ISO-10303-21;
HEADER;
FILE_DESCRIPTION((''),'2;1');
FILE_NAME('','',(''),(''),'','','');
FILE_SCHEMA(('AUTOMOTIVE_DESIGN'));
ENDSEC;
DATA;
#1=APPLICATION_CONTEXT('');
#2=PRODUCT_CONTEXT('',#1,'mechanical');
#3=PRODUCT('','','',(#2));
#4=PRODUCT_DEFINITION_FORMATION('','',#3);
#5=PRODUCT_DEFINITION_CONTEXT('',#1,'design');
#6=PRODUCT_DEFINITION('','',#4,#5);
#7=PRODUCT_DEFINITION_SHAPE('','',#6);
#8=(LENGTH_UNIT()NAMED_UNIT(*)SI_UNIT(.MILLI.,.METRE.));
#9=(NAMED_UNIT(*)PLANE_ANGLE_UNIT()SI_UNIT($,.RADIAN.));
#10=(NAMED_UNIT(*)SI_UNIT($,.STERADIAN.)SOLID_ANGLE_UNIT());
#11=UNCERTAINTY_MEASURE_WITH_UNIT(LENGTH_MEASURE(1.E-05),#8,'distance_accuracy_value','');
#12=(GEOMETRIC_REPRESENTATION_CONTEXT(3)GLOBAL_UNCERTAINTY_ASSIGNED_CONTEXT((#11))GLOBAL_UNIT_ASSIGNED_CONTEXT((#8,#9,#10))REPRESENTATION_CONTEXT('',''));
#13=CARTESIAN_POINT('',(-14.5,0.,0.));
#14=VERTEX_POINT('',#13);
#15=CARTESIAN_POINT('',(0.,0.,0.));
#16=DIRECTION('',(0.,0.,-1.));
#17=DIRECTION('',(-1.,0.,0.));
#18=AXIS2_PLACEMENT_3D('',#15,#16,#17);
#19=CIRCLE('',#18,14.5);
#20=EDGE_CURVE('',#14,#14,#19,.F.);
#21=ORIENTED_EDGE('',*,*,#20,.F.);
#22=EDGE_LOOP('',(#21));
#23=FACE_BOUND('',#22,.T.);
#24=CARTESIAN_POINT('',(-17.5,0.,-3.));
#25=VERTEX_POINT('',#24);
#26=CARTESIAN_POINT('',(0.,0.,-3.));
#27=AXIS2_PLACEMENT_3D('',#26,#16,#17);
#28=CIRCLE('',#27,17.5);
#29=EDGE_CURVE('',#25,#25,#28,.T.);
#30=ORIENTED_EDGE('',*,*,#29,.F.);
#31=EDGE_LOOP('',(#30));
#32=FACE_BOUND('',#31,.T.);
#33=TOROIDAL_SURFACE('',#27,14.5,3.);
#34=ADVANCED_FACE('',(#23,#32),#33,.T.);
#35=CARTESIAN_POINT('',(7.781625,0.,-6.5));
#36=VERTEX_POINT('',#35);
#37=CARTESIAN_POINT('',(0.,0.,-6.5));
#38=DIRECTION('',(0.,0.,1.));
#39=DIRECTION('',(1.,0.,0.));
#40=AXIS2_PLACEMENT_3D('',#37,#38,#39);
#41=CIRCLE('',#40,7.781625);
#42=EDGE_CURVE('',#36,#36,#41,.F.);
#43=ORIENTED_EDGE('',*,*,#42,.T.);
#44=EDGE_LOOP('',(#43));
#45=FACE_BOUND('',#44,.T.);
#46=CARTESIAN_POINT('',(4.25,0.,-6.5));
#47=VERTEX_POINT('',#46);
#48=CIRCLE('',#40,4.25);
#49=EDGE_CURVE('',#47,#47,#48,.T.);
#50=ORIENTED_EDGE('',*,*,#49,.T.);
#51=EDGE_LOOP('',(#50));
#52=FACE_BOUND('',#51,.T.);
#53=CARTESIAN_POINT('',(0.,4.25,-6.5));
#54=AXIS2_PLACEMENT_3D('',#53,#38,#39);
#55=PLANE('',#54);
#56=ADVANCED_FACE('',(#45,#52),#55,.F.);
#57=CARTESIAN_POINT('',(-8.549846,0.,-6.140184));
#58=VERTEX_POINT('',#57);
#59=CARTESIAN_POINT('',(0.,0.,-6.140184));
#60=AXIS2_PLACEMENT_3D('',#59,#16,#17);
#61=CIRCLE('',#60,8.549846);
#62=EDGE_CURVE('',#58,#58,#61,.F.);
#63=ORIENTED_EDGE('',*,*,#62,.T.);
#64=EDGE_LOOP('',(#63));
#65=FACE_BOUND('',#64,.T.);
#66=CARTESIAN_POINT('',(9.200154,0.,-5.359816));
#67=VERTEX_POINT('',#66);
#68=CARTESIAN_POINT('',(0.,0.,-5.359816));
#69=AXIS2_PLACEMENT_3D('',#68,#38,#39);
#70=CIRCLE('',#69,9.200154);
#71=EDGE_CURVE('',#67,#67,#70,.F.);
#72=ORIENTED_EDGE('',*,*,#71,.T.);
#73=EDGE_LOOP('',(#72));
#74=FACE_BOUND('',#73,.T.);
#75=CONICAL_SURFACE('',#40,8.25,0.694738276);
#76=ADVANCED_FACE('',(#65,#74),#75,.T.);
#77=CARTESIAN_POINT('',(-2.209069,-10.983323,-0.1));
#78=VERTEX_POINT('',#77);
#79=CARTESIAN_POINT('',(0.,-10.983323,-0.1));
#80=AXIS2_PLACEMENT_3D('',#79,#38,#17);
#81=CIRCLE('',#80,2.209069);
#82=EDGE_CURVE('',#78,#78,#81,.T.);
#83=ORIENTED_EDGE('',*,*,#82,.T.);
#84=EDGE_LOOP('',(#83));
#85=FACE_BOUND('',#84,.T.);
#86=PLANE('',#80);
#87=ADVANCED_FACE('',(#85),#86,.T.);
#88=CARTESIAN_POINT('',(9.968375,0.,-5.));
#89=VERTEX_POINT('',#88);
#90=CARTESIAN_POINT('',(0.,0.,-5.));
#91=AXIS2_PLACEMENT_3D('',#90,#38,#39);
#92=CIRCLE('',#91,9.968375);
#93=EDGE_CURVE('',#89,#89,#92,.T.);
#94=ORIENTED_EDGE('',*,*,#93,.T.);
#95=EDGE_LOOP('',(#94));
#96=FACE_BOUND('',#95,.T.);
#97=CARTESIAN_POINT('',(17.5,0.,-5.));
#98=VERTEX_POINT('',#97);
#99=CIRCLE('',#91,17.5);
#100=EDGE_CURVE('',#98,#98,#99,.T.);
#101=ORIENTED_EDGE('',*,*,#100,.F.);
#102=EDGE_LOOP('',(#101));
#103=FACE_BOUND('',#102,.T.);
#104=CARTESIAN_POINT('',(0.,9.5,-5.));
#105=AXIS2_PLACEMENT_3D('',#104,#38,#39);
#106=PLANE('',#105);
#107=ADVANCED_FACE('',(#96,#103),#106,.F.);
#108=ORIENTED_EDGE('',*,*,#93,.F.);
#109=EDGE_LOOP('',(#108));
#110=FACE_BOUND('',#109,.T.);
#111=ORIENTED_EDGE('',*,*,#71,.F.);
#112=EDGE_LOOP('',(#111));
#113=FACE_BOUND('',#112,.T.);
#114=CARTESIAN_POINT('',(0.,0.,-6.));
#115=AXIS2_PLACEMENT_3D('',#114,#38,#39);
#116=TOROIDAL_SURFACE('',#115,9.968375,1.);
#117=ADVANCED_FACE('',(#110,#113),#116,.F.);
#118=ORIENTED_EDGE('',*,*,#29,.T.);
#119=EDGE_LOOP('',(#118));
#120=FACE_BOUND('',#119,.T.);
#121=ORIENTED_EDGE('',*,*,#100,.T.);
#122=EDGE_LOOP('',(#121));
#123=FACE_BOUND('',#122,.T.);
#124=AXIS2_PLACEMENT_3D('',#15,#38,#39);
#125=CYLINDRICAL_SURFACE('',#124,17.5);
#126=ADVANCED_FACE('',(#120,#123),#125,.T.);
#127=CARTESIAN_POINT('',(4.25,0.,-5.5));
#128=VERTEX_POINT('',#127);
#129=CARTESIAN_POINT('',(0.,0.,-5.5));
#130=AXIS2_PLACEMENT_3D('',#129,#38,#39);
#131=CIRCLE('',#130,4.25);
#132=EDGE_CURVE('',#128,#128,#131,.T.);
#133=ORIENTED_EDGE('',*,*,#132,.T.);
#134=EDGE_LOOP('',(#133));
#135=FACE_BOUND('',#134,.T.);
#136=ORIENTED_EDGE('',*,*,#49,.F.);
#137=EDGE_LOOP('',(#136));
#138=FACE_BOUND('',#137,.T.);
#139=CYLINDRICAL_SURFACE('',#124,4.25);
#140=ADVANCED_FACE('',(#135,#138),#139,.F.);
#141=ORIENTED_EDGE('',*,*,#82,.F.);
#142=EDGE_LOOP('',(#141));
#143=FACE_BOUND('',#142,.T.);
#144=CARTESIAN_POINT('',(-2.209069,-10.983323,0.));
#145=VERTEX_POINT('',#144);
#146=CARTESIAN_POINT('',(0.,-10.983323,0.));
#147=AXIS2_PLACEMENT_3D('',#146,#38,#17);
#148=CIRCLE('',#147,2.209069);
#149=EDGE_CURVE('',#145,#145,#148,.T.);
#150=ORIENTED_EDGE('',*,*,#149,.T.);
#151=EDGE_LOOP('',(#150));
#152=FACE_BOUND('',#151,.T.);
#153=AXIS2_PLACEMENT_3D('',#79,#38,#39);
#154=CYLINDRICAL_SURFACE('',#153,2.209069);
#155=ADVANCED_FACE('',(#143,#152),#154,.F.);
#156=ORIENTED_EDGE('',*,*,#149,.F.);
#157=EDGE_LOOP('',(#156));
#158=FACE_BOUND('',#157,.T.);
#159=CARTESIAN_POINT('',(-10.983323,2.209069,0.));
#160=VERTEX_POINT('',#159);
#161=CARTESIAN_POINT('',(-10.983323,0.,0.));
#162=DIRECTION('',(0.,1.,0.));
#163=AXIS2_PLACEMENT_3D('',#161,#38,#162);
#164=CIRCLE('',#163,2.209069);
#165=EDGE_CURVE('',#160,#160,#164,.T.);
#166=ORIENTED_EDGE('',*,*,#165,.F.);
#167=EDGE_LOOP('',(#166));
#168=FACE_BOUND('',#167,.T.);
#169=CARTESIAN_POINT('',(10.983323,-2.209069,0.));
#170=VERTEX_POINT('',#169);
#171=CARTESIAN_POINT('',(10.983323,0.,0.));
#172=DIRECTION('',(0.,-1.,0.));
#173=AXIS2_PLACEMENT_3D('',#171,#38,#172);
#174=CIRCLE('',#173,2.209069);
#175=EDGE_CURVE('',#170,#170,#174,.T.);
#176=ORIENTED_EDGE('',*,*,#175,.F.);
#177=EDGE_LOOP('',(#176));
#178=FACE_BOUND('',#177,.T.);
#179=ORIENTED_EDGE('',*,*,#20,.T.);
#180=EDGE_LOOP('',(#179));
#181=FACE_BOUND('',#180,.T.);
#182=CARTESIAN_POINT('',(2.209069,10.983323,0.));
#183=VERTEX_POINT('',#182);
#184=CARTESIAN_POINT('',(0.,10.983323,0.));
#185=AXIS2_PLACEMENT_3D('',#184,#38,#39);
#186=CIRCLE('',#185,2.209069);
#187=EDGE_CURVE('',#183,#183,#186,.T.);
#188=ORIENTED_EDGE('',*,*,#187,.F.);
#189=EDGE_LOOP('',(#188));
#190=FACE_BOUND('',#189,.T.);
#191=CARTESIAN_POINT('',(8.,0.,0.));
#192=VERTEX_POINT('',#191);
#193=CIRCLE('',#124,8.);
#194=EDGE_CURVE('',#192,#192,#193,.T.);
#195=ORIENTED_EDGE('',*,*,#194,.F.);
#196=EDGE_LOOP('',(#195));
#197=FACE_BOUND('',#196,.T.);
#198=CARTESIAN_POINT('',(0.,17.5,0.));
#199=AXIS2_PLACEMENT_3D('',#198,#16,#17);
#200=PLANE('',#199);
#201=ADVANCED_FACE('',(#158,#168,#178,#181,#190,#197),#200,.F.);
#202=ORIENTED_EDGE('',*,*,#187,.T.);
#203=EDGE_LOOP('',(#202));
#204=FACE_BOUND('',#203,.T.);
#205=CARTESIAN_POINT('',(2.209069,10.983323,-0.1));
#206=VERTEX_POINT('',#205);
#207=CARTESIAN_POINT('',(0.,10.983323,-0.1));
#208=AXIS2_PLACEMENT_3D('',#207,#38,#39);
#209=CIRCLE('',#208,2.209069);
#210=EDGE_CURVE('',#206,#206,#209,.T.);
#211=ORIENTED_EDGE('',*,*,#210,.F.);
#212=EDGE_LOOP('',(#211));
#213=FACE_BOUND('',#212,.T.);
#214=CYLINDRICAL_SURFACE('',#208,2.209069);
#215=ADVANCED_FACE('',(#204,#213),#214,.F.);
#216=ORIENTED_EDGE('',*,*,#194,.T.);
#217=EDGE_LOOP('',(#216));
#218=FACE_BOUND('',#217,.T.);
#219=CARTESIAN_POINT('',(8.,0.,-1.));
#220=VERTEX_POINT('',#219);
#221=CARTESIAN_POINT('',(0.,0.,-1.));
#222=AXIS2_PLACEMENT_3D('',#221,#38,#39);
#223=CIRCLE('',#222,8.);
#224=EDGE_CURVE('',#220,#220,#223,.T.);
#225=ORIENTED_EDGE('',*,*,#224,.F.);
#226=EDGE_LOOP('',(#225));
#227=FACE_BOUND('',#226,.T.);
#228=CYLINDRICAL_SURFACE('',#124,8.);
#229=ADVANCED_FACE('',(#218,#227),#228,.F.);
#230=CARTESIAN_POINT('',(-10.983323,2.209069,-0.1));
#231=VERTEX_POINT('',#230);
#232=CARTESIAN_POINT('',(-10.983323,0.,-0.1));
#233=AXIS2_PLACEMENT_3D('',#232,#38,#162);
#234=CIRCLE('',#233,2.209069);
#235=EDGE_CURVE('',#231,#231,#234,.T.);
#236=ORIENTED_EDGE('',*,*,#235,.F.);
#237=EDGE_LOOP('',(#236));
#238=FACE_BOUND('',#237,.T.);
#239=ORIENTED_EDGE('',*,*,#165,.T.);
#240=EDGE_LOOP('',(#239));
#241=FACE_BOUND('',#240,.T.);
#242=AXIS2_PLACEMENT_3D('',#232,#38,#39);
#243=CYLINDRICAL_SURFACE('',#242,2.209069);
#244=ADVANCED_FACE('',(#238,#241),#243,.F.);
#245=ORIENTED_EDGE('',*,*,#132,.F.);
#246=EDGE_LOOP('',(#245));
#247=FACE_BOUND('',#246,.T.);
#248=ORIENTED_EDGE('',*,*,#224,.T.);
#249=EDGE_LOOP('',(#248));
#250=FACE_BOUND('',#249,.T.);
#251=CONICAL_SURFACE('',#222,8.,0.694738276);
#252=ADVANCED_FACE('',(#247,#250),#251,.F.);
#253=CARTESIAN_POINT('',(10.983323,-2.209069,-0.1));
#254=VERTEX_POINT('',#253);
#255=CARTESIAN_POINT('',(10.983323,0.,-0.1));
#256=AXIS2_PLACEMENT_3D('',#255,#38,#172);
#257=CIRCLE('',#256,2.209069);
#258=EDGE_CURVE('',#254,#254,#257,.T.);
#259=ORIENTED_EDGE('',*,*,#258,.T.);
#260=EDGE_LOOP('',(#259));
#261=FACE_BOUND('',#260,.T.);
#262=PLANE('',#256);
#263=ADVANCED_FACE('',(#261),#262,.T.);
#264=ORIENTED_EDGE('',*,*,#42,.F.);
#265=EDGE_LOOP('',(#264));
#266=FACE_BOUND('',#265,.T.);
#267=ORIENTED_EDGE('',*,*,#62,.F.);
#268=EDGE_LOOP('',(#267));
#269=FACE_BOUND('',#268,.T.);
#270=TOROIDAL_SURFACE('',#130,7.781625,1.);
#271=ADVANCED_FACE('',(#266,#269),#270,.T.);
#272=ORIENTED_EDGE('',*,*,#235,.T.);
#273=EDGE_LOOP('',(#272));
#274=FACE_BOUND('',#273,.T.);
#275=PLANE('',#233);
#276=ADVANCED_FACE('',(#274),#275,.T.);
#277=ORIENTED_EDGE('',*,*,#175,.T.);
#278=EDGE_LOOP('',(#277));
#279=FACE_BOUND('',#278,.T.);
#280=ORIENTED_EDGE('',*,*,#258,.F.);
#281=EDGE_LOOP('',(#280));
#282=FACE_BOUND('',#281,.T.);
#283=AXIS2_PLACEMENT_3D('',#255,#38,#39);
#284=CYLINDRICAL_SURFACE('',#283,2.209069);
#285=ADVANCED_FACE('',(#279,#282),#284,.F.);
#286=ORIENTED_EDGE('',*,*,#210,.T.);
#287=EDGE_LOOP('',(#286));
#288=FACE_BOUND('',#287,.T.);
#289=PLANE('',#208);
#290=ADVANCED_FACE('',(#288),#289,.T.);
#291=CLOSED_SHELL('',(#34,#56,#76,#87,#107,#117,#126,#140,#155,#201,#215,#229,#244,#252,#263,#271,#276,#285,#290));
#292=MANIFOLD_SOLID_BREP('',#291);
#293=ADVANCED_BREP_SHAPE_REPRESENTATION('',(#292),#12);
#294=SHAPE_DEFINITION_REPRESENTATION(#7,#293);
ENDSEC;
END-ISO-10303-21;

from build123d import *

# Parameters (mm, degrees)
FILETE1_R             = 3
ESBO_O2_R             = 2.209069454
CORTE_EXTRUS_O1_DEPTH = 0.1
PADR_OCIRCULAR1_COUNT = 4
FILETE2_R             = 1


with BuildPart() as part:
    # Esboço1 → Revolução1 (revolve)
    with BuildSketch(Plane(origin=(0, 0, 0), x_dir=(0, 0, -1), z_dir=(1, 0, 0)), mode=Mode.PRIVATE) as revolu_o1_sk:
        Polygon((6.5, 4.25), (6.5, 8.25), (5, 9.5), (5, 17.5), (0, 17.5), (0, 8), (1, 8), (5.5, 4.25), align=None)
    revolve(revolu_o1_sk.sketch.rotate(Axis((0, 0, 0), (0, 0, -1)), 90), axis=Axis((0, 0, 0), (0, 0, -1)))

    # Filete1
    filete1_edges = [part.edges().sort_by_distance(p)[0] for p in [
        (-17.5, 0, 0),
    ]]
    fillet(filete1_edges, radius=FILETE1_R)

    # Esboço2 → Corte-extrusão1 (cut)
    with BuildSketch(Plane.XY):
        with Locations((0, 10.983322756)):
            Circle(ESBO_O2_R)
    corte_extrus_o1 = extrude(amount=-CORTE_EXTRUS_O1_DEPTH, mode=Mode.SUBTRACT)

    # PadrãoCircular1: Corte-extrusão1 ×4 about axis
    padr_ocircular1_axis = Axis((0, 0, 0), (0, 0, 1))
    for i in range(1, PADR_OCIRCULAR1_COUNT):
        add(corte_extrus_o1.rotate(padr_ocircular1_axis, i * 360 / PADR_OCIRCULAR1_COUNT), mode=Mode.SUBTRACT)

    # Filete2
    filete2_edges = [part.edges().sort_by_distance(p)[0] for p in [
        (-9.5, 0, -5),
        (-8.25, 0, -6.5),
    ]]
    fillet(filete2_edges, radius=FILETE2_R)


solid = part.part
